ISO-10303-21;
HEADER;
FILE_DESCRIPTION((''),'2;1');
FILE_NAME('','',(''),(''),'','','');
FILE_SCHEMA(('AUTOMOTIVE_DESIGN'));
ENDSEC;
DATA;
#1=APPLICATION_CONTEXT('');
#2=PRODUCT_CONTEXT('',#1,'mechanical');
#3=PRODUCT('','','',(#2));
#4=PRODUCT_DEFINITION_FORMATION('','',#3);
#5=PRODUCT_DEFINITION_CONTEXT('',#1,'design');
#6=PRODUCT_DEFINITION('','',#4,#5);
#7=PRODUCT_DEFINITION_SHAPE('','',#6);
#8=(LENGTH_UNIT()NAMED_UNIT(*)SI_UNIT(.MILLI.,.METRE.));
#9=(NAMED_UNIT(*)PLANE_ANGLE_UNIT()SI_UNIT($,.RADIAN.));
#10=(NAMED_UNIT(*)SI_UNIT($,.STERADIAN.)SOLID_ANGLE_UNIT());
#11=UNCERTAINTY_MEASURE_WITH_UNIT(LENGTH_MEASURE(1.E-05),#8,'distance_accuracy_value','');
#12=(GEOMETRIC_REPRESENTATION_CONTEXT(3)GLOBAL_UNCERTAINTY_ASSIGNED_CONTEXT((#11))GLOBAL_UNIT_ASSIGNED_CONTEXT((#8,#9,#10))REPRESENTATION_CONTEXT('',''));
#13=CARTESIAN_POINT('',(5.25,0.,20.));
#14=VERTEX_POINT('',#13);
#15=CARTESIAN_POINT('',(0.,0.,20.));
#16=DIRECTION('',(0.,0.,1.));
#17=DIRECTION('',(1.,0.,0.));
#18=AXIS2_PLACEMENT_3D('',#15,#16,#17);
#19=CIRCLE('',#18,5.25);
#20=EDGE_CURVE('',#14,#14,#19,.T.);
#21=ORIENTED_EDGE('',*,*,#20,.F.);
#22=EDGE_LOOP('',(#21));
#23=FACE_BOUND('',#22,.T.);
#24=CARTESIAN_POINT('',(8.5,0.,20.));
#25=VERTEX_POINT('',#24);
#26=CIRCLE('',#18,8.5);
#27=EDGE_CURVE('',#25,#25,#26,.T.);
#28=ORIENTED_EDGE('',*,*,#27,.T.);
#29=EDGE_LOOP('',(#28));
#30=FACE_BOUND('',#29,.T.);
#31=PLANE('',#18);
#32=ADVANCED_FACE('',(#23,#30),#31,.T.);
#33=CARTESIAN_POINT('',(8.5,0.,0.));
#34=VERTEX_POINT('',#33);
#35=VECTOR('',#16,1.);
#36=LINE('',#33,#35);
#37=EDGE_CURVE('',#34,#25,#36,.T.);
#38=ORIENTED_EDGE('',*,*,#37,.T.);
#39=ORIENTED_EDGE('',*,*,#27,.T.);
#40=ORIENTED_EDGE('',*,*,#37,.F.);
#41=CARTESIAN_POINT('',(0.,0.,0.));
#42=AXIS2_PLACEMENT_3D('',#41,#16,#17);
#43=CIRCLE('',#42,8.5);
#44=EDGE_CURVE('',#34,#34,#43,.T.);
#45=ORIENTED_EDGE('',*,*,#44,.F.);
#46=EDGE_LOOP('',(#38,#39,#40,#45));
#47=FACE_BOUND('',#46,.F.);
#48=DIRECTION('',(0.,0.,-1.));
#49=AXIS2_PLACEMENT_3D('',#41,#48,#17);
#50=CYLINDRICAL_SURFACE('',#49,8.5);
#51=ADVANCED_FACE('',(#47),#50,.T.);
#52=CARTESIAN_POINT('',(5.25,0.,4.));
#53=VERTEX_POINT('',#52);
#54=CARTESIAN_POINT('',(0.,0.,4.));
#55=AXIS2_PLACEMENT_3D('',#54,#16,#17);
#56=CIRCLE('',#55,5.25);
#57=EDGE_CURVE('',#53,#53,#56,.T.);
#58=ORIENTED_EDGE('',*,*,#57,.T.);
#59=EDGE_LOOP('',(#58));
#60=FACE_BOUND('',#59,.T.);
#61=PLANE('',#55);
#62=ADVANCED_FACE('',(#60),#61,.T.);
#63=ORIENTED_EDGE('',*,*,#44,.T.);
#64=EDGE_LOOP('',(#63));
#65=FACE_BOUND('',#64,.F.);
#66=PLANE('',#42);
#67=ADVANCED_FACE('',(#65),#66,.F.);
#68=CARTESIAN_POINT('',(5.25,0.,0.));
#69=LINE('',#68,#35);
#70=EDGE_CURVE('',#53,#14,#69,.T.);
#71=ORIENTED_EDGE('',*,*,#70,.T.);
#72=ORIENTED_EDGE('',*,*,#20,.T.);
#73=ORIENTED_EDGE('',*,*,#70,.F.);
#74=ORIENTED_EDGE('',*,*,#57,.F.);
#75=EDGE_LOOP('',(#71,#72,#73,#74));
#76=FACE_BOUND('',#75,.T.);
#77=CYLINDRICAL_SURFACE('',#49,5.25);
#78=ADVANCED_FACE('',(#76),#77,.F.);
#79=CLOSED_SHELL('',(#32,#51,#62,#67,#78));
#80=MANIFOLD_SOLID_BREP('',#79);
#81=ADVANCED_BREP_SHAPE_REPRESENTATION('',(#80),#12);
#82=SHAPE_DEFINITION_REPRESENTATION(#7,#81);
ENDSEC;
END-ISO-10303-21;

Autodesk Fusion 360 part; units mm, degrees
sketch "Sketch1" plane through (0, 0, 0) normal (0, 0, 1) x (1, 0, 0)
  circle A0 centre (0, 0) radius 8.5
  circle A1 centre (0, 0) radius 5.25
  dimension "d1" = 17
  dimension "d2" = 10.5
extrude "Extrude1" add sketch "Sketch1" along normal blind 20
extrude "Extrude2" add sketch "Sketch1" along normal blind 4 contours A1
